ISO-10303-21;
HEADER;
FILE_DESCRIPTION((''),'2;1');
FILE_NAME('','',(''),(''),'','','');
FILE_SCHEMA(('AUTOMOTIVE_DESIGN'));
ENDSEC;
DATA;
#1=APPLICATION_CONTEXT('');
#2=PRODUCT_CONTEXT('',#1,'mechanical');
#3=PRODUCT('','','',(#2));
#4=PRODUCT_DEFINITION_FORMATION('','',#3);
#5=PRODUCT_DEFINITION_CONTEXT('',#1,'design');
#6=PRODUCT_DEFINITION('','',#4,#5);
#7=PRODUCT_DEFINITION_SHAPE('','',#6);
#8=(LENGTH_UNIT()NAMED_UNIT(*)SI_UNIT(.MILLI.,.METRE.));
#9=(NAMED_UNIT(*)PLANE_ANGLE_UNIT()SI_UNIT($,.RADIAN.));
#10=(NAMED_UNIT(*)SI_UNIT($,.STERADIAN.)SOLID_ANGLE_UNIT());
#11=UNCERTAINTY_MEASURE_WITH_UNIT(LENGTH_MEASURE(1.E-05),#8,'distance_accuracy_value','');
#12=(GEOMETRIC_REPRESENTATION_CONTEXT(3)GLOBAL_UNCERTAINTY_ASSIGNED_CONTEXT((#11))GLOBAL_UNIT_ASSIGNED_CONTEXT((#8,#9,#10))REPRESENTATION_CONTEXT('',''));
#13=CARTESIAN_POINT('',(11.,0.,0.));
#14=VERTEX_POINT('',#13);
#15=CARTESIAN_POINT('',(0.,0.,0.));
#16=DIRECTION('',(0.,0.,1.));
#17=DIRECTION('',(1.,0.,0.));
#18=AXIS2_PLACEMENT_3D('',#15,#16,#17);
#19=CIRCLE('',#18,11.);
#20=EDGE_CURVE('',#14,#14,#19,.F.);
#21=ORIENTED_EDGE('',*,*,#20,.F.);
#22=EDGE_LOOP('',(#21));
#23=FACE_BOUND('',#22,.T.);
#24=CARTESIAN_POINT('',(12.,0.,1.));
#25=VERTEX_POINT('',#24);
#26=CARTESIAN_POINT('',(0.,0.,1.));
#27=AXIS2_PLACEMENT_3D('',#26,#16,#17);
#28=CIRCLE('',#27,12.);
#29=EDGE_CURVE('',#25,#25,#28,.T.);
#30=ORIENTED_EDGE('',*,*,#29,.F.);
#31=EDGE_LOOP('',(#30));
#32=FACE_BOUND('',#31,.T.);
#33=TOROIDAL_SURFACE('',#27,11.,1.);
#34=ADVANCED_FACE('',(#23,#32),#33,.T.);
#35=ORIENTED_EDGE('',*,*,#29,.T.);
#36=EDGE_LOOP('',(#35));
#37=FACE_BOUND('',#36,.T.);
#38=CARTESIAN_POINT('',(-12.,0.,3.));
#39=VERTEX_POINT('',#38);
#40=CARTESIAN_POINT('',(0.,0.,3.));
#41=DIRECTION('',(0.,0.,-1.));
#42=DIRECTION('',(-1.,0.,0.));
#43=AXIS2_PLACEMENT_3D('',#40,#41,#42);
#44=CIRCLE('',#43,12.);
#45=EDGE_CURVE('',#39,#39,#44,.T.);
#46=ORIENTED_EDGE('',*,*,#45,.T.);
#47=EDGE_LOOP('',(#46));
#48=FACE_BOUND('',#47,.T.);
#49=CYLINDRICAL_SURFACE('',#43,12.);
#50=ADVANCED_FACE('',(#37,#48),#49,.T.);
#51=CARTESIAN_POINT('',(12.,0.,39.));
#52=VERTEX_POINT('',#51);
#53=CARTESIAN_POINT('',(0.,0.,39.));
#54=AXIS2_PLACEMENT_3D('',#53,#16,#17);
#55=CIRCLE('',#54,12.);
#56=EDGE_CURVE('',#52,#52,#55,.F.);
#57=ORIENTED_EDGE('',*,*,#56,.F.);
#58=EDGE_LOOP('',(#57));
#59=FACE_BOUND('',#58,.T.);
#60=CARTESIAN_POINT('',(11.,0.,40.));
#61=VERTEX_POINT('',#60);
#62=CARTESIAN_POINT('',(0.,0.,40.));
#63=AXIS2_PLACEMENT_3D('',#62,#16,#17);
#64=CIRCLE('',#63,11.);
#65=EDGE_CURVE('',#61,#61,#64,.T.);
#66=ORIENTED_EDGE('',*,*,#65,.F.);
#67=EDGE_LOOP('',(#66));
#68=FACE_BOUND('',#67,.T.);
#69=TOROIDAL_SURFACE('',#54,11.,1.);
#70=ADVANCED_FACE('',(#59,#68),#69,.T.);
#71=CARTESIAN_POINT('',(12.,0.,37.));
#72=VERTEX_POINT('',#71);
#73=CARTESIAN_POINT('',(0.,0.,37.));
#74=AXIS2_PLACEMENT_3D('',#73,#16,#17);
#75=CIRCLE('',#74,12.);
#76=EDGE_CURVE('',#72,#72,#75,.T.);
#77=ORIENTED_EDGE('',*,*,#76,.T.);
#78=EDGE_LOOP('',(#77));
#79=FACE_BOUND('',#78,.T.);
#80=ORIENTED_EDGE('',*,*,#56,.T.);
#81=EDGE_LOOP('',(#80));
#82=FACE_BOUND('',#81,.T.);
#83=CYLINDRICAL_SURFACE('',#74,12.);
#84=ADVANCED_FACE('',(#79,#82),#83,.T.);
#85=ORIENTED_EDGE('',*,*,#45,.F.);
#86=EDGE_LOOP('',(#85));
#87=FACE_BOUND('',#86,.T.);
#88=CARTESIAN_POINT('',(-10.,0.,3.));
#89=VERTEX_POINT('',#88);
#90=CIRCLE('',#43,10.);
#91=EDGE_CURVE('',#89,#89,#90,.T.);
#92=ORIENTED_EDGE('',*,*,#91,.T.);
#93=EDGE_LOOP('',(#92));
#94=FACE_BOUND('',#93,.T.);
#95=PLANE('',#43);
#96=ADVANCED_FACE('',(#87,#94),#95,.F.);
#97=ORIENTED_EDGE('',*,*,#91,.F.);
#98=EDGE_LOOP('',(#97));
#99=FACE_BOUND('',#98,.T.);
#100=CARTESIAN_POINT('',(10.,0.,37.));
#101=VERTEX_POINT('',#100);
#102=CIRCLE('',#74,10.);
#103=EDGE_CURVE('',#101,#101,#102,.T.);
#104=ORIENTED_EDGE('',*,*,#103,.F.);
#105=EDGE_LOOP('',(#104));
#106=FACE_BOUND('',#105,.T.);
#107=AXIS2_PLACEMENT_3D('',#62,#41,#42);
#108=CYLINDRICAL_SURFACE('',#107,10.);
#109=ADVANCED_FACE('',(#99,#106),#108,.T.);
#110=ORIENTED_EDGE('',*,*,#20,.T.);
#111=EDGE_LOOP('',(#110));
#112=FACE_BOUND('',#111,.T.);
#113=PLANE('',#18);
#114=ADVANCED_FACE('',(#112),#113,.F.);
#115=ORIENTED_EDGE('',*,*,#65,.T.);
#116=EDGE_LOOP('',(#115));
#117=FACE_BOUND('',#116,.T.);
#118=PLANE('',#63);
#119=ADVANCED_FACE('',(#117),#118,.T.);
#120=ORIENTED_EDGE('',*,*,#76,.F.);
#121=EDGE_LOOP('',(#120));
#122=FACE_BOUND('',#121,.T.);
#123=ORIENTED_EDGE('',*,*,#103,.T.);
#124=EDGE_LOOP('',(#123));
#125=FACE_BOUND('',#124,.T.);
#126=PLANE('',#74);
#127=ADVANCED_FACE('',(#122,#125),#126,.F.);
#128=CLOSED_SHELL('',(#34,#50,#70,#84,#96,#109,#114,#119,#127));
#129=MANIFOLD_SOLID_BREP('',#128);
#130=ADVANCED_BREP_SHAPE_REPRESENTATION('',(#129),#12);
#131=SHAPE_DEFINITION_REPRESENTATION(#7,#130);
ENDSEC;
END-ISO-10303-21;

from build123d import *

# Parameters (mm, degrees)
SKETCH_1_R        = 10
EXTRUDE_1_DEPTH   = 40
EXTRUDE_START     = -3
SKETCH_3_R        = 12
SKETCH_3_R_2      = 10
EXTRUDE_1_2_DEPTH = 3
SKETCH_4_R        = 12
SKETCH_4_R_2      = 10
EXTRUDE_2_DEPTH   = 3
FILLET_4_R        = 1


with BuildPart() as part:
    # 草图1 → Extrude 1 (new body)
    with BuildSketch(Plane.XY):
        Circle(SKETCH_1_R)
    extrude(amount=EXTRUDE_1_DEPTH)

    # 草图3 → Extrude 1 2 (add)
    with BuildSketch(Plane.XY.offset(40).offset(EXTRUDE_START)):
        Circle(SKETCH_3_R)
        Circle(SKETCH_3_R_2, mode=Mode.SUBTRACT)
    extrude(amount=EXTRUDE_1_2_DEPTH)

    # 草图4 → 拉伸-薄壁2 (add)
    with BuildSketch(Plane(origin=(0, 0, 0), x_dir=(-1, 0, 0), z_dir=(0, 0, -1))):
        Circle(SKETCH_4_R)
        Circle(SKETCH_4_R_2, mode=Mode.SUBTRACT)
    extrude(amount=-EXTRUDE_2_DEPTH)

    # 圆角4
    fillet_4_edges = [part.edges().sort_by_distance(p)[0] for p in [
        (12, 0, 0),
        (-12, 0, 40),
    ]]
    fillet(fillet_4_edges, radius=FILLET_4_R)


solid = part.part
